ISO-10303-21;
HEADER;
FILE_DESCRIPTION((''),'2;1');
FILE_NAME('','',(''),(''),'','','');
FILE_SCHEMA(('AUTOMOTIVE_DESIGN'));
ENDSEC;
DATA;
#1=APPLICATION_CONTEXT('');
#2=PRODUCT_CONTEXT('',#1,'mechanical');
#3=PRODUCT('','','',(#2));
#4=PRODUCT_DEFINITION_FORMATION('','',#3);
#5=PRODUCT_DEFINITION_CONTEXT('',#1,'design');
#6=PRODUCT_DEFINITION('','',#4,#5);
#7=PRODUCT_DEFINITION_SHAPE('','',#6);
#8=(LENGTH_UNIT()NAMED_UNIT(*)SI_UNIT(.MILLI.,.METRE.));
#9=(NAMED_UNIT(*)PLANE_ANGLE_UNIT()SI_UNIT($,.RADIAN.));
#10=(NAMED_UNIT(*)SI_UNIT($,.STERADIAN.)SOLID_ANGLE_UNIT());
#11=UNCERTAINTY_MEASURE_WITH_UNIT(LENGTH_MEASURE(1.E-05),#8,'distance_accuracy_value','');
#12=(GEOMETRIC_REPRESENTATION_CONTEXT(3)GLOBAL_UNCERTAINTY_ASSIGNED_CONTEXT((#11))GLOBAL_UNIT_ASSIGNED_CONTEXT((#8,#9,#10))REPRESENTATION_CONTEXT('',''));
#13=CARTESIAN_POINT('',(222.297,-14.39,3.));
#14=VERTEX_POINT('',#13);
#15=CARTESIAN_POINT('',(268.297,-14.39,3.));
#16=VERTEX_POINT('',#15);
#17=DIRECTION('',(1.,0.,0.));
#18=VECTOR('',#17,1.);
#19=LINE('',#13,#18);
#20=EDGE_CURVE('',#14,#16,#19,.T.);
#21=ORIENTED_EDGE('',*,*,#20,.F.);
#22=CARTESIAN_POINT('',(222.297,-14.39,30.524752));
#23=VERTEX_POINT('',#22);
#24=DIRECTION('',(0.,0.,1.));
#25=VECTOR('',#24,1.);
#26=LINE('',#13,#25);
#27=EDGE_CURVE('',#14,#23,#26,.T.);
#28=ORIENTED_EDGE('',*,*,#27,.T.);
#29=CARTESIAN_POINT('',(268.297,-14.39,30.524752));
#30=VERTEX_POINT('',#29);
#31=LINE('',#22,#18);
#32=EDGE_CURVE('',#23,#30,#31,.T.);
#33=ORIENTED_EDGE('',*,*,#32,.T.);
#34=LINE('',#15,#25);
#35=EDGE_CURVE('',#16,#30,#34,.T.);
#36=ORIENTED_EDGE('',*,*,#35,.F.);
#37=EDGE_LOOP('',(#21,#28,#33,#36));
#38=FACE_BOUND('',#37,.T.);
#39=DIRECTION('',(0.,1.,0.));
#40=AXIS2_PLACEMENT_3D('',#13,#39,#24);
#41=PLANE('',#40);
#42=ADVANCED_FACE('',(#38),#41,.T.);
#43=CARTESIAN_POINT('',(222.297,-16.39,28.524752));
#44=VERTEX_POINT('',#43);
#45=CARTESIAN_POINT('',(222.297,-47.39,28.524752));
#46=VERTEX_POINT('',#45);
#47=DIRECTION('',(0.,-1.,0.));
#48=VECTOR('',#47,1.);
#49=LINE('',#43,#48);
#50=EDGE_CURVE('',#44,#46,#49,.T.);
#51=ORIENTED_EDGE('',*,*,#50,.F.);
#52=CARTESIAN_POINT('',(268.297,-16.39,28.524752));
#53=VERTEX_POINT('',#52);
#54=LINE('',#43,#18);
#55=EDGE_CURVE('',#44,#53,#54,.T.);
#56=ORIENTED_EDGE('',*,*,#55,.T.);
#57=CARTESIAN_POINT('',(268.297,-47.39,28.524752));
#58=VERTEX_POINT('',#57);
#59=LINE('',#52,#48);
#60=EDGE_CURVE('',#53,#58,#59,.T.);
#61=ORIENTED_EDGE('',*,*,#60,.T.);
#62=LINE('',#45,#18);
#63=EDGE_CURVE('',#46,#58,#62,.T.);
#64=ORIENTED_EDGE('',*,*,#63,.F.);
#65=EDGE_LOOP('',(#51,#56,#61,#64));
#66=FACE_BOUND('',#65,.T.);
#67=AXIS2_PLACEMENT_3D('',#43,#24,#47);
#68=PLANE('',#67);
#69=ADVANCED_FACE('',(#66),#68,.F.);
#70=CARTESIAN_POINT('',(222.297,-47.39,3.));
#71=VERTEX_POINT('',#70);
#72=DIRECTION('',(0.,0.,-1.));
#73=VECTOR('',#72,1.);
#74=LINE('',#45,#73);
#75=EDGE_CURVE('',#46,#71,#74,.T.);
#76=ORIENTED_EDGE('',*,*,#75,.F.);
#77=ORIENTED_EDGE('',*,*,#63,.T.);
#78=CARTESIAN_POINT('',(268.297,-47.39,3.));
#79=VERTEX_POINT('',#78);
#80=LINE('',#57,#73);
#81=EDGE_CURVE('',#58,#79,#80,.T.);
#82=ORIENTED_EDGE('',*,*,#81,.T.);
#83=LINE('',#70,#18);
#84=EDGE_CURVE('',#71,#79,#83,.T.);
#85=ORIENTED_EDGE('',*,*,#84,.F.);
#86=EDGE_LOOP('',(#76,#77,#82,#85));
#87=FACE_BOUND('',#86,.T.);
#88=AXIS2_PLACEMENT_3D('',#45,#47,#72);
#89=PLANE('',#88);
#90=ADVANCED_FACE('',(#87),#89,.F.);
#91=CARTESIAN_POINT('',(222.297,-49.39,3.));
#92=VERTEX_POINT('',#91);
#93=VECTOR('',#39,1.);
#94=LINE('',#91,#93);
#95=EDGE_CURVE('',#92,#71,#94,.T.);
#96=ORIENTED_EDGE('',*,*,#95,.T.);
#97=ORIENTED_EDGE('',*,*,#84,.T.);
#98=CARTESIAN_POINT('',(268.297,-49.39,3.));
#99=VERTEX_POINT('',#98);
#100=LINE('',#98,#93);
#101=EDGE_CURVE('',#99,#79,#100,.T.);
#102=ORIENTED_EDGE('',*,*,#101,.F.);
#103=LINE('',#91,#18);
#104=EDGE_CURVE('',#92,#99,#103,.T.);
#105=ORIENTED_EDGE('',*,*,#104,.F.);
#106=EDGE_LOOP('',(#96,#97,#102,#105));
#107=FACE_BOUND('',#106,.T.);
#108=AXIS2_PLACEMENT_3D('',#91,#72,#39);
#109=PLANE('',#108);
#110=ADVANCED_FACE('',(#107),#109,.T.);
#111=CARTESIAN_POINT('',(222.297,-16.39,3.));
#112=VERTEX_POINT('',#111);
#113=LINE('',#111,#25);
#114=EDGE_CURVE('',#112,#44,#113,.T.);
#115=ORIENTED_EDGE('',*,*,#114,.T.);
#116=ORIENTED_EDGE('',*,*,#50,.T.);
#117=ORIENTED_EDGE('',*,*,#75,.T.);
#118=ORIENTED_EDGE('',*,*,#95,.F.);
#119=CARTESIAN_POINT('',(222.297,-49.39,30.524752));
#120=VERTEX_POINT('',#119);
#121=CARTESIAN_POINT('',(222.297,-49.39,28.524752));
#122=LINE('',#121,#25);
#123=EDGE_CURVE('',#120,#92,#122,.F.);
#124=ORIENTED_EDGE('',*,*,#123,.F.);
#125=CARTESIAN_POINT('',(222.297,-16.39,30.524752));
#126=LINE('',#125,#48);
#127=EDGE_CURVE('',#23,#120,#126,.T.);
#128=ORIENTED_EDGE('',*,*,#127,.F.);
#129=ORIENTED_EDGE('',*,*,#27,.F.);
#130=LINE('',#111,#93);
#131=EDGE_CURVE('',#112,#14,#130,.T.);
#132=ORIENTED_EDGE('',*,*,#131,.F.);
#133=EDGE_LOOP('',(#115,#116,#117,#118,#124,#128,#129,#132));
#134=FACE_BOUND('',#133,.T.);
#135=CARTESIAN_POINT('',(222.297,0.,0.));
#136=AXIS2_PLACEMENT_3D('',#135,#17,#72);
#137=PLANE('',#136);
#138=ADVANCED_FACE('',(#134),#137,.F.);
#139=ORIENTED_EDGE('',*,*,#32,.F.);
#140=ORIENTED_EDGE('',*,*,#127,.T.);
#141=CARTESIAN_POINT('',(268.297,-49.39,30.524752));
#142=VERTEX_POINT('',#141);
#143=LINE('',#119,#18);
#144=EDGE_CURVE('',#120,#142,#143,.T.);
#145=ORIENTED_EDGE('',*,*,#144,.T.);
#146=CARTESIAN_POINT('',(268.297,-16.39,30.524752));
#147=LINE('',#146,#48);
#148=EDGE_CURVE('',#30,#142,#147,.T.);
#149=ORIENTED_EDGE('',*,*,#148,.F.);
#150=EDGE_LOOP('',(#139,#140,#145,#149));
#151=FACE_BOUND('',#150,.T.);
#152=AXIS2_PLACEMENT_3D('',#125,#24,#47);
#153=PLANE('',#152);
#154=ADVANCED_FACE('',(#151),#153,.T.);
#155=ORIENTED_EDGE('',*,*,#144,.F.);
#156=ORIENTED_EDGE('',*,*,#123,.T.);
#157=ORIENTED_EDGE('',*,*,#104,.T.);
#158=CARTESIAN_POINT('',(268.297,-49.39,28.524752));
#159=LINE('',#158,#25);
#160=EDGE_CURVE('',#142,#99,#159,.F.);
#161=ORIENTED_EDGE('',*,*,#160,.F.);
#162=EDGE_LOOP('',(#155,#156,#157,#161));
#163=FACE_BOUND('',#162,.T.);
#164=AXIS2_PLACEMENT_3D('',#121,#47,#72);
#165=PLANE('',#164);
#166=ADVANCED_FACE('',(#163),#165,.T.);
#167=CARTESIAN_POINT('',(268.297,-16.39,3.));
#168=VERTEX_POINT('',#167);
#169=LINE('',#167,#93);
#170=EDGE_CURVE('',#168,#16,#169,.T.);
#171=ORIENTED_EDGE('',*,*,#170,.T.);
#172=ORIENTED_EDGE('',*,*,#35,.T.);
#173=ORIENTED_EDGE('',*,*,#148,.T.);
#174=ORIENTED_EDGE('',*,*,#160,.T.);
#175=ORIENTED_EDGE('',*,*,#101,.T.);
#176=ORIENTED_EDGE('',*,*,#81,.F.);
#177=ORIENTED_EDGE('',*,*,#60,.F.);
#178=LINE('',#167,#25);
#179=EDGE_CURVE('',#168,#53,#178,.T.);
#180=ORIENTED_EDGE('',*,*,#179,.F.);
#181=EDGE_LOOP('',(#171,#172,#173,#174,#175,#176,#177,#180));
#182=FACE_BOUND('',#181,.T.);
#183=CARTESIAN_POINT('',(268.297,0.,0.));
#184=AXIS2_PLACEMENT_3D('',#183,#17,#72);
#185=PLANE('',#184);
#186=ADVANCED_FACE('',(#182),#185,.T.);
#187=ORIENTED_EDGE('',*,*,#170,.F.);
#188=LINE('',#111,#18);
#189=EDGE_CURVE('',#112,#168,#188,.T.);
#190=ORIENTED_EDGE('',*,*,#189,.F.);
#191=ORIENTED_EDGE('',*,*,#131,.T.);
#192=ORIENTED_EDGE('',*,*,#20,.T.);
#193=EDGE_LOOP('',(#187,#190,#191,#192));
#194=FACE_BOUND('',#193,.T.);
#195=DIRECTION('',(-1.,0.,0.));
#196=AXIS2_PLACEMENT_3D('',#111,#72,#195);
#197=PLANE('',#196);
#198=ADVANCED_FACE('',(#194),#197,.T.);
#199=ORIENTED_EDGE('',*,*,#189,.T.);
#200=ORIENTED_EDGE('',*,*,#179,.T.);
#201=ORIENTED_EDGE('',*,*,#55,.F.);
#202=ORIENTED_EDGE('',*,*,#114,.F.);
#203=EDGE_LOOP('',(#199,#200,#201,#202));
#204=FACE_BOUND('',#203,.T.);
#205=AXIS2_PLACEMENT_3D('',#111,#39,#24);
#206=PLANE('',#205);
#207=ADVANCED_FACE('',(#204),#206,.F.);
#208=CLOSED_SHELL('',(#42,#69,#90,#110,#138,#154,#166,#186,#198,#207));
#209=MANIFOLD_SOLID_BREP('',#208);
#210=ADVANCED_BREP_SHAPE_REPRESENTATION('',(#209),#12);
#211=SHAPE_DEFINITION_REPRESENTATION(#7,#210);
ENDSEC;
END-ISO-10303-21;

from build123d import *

# Parameters (mm, degrees)
EXTRUDE_THIN1_DEPTH = 46


with BuildPart() as part:
    # Sketch3 → Extrude-Thin1 (new body)
    with BuildSketch(Plane.ZY.offset(-268.297)):
        Polygon((3, -16.39), (28.524751964, -16.39), (28.524751964, -47.39), (3, -47.39), (3, -49.39), (30.524751964, -49.39), (30.524751964, -14.39), (3, -14.39), align=None)
    extrude(amount=EXTRUDE_THIN1_DEPTH)


solid = part.part
